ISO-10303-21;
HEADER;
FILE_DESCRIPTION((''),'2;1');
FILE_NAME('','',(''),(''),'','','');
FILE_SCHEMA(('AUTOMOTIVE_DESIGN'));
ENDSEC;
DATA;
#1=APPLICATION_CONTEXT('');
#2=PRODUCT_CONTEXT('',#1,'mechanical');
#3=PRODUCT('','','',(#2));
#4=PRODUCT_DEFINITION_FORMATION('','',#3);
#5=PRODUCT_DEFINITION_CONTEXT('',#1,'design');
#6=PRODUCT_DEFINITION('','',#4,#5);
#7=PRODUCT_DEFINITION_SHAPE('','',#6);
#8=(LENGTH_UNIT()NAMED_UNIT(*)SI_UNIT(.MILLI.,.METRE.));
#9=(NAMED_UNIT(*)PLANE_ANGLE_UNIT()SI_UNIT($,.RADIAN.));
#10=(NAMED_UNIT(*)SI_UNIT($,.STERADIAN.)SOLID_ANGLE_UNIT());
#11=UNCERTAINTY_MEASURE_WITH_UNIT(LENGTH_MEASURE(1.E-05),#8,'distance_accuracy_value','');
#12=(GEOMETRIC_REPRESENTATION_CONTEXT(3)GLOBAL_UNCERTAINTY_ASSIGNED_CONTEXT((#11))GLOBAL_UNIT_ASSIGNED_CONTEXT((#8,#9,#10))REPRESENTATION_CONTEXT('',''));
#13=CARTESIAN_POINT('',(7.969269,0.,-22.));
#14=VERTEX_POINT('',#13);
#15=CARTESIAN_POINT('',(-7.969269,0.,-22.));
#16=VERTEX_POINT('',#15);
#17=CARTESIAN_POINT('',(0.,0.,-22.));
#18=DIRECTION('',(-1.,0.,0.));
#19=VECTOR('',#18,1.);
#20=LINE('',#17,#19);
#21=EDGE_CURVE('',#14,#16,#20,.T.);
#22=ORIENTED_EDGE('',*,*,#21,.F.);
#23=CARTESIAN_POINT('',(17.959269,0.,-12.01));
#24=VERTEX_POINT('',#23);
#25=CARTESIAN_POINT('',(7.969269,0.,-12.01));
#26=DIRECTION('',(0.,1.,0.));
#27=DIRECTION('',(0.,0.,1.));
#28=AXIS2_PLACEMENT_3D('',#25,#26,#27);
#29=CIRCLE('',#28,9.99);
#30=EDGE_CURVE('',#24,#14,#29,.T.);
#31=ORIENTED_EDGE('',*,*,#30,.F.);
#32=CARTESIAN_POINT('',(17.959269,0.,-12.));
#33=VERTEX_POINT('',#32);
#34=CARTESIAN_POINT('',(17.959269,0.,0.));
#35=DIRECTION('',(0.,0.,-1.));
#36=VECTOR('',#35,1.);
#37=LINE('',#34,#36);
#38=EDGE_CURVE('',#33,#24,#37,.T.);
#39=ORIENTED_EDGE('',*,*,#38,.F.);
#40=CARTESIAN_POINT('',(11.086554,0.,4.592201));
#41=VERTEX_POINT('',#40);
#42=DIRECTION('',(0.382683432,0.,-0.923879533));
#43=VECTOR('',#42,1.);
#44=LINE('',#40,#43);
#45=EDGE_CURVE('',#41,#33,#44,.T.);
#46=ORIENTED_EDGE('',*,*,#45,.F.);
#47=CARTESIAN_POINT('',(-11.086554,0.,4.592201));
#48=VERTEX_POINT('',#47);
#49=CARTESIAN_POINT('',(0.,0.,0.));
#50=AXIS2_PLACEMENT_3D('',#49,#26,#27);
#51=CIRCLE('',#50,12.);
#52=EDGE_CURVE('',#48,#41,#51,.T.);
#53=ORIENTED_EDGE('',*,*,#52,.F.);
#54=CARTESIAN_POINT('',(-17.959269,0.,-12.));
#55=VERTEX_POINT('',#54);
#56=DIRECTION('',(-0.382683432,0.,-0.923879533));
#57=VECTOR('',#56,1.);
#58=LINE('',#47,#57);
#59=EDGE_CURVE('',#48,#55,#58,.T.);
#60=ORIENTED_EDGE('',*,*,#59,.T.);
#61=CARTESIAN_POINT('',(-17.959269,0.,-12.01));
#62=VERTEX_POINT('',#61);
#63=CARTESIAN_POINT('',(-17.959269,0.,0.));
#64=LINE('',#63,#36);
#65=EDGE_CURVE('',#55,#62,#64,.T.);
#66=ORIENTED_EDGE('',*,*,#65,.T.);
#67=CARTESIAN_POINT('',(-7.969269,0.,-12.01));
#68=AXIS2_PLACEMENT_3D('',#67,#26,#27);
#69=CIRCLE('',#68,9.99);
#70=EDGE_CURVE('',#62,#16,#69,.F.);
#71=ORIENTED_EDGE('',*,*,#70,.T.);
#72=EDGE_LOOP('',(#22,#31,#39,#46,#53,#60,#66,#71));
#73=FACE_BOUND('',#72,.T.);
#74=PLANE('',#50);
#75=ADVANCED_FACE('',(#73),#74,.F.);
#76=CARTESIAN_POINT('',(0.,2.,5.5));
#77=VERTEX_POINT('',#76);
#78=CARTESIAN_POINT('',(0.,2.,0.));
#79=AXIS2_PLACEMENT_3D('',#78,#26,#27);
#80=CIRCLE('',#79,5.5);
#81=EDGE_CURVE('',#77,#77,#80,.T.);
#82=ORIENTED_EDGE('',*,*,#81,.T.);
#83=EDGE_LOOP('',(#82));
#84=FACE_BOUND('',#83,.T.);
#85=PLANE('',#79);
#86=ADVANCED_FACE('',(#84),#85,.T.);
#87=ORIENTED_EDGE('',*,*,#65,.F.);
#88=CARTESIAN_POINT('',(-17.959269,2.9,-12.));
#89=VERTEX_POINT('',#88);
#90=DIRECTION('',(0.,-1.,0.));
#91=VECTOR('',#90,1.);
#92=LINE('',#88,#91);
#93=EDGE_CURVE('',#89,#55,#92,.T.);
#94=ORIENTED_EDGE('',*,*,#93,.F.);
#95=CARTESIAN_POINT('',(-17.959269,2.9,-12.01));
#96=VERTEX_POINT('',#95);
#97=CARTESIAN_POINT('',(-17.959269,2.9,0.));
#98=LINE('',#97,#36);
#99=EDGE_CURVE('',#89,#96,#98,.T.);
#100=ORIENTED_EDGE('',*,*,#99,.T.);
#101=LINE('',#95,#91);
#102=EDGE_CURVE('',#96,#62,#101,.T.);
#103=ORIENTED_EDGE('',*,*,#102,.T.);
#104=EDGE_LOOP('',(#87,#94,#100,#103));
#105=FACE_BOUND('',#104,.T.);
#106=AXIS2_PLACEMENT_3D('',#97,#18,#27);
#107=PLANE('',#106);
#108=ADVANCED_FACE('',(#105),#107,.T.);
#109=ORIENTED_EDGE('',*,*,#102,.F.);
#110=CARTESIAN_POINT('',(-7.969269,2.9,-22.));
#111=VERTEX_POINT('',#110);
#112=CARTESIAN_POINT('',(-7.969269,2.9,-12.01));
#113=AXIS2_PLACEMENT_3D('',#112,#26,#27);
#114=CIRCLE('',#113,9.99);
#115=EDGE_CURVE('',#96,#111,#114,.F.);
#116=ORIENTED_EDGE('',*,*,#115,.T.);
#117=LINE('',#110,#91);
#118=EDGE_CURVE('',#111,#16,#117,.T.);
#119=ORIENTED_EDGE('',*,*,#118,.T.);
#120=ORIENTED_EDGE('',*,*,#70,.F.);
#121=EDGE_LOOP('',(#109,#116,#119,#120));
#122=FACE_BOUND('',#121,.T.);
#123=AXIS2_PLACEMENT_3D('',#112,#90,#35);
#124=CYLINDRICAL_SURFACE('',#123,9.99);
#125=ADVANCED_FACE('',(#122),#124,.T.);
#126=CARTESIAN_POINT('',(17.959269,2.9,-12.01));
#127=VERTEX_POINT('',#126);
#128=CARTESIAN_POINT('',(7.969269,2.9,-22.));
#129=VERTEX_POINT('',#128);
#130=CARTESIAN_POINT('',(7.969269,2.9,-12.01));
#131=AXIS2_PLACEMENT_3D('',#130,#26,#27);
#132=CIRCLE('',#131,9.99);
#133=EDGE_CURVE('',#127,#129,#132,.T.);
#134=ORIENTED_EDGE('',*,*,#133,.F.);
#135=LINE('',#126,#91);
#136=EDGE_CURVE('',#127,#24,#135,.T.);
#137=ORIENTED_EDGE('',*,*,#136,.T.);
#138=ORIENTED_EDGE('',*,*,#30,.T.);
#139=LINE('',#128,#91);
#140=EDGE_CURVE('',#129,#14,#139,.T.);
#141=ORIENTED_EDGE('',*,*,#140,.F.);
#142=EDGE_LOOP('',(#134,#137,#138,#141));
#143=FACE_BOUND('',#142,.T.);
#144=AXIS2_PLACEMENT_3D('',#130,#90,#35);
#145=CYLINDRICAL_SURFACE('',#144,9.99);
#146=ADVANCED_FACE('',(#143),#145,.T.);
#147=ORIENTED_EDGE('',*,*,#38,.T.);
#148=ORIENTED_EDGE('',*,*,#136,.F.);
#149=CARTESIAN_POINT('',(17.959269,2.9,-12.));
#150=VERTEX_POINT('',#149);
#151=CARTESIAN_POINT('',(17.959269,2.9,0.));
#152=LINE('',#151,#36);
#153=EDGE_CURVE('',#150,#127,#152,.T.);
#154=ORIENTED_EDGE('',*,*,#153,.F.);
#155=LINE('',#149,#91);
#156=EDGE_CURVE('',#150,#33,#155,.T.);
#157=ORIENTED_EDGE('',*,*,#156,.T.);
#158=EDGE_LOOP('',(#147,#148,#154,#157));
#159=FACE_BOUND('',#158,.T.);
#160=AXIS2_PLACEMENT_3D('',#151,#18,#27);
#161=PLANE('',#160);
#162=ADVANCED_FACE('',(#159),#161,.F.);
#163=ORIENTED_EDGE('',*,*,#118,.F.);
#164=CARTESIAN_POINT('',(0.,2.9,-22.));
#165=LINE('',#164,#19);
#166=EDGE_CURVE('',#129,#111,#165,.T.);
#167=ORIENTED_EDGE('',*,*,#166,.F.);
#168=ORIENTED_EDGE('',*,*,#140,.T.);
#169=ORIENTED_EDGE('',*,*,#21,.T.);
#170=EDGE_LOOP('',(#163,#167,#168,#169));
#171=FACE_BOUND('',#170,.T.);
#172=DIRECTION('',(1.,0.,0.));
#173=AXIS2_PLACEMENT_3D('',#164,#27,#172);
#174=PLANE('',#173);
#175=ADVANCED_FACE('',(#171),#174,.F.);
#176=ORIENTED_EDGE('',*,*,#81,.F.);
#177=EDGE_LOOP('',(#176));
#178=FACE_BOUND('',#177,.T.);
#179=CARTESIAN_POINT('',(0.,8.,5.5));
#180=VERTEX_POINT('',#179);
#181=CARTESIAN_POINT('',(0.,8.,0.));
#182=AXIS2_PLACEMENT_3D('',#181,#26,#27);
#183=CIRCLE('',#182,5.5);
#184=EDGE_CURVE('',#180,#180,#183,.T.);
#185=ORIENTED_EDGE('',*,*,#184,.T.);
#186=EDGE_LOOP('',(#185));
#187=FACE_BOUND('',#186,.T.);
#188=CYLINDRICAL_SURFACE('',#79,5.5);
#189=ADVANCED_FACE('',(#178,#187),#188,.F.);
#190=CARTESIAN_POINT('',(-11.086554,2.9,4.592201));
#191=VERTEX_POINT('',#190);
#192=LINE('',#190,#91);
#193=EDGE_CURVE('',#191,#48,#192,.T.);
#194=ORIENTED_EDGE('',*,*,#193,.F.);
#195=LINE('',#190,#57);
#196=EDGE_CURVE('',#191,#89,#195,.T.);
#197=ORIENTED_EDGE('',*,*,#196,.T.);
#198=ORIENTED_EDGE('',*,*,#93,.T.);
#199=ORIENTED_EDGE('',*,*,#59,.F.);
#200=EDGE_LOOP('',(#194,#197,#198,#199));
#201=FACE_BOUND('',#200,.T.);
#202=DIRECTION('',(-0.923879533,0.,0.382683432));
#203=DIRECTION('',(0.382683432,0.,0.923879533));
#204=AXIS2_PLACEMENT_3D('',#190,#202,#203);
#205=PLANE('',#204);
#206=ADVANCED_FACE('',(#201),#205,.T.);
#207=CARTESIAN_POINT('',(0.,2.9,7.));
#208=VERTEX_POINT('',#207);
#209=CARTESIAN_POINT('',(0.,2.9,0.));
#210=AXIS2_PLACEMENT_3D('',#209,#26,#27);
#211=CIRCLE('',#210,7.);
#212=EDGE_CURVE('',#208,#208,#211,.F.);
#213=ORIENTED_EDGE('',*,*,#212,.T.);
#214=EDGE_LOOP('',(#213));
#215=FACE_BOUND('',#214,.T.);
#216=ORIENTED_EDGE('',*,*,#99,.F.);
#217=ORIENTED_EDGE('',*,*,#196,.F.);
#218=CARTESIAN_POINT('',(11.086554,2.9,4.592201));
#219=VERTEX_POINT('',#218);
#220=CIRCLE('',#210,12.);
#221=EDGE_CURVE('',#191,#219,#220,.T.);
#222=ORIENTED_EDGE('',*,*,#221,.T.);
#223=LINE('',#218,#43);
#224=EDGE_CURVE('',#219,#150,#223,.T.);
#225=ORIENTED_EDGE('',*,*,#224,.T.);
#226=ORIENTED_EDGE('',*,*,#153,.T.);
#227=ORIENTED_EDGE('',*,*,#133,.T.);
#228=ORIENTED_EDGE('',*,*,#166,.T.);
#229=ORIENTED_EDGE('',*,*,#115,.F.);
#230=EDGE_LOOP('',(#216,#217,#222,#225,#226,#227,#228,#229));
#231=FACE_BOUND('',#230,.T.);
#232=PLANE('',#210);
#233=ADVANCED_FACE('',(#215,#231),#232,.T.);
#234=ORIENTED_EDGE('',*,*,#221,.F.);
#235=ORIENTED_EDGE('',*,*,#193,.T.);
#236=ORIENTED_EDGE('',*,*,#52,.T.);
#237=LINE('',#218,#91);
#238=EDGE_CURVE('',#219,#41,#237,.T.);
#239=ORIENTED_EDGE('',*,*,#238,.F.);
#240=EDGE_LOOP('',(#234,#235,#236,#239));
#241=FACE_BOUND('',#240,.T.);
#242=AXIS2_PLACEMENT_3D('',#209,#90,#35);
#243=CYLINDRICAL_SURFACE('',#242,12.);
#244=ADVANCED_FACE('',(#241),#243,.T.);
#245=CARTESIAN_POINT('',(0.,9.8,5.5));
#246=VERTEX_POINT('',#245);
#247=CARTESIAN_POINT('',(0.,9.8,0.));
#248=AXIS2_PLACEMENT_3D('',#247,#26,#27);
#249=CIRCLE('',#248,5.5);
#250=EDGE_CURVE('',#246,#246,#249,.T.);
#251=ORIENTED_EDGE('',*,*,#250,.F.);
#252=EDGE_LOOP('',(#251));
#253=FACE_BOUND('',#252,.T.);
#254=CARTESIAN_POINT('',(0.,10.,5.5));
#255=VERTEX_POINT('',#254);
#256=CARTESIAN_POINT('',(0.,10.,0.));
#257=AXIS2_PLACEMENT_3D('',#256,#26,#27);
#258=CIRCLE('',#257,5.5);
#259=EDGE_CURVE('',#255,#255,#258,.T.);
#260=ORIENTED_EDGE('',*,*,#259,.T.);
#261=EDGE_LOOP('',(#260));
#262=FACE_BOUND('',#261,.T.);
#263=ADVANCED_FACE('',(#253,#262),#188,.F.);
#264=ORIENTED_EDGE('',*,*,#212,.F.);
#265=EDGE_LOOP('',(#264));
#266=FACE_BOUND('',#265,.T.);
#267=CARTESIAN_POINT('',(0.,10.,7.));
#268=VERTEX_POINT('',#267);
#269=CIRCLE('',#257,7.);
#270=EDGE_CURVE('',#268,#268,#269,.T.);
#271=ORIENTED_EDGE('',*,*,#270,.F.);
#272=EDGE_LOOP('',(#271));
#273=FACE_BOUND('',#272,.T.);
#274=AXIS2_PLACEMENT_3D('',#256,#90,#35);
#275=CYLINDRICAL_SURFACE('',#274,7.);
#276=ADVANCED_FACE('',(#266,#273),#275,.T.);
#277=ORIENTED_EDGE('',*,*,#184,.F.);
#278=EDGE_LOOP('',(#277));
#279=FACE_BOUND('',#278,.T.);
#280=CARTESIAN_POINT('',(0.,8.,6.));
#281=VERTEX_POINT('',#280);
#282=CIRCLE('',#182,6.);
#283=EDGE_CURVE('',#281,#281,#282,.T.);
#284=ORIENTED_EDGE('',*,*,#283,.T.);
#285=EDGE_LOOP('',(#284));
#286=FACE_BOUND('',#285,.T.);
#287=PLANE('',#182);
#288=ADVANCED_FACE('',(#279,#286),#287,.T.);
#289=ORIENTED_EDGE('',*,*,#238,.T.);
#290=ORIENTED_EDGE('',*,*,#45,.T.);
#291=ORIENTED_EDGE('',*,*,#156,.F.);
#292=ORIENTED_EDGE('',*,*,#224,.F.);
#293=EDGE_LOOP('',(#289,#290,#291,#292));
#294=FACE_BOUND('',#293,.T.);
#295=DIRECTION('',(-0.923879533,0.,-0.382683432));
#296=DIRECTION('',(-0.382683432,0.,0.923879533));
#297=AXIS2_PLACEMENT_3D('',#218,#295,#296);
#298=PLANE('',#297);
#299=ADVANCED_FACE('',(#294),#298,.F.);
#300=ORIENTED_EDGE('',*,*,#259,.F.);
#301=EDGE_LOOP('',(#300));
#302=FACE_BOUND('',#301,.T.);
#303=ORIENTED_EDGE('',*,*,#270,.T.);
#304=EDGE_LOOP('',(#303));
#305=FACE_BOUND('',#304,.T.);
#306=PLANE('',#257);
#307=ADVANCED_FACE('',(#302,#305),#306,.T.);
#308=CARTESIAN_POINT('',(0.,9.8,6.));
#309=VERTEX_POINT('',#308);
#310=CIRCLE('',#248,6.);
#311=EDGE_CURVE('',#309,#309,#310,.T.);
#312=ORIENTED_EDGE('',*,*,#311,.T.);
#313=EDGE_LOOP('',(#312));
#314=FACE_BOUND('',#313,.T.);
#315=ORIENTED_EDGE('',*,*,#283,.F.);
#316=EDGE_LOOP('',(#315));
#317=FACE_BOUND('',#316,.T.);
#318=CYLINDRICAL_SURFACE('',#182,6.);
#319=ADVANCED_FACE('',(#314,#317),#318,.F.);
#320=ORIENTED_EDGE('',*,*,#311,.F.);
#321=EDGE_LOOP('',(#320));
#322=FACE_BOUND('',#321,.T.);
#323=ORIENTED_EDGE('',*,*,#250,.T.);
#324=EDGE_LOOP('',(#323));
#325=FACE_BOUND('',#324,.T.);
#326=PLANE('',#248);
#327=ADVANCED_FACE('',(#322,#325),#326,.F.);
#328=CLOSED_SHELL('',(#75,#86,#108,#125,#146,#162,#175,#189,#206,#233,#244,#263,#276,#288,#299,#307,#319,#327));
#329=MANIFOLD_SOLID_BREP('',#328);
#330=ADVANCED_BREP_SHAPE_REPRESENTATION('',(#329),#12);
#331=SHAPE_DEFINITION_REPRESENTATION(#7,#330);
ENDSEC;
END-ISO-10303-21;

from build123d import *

# Parameters (mm, degrees)
BOSS_EXTRUDE1_DEPTH = 2.9
SKETCH1_3_R         = 7
BOSS_EXTRUDE2_DEPTH = 10
SKETCH7_R           = 5.5
CUT_EXTRUDE10_DEPTH = 8
SKETCH8_R           = 6
SKETCH8_R_2         = 5.5
CUT_EXTRUDE11_DEPTH = 1.8


with BuildPart() as part:
    # Sketch1 → Boss-Extrude1 (new body)
    with BuildSketch(Plane(origin=(0, 0, 0), x_dir=(1, 0, 0), z_dir=(0, 1, 0))):
        with BuildLine():
            Line((-17.959269152, 12), (-11.086554257, -4.59220151))
            ThreePointArc((-11.086554257, -4.59220151), (1.96e-07, -12), (11.086554407, -4.592201147))
            Line((11.086554407, -4.592201147), (17.959269152, 12))
            Line((17.959269152, 12), (17.959269152, 12.01))
            ThreePointArc((17.959269152, 12.01), (15.033265896, 19.073996744), (7.969269152, 22))
            Line((7.969269152, 22), (-7.969269152, 22))
            ThreePointArc((-7.969269152, 22), (-15.033265896, 19.073996744), (-17.959269152, 12.01))
            Line((-17.959269152, 12.01), (-17.959269152, 12))
        make_face()
    extrude(amount=BOSS_EXTRUDE1_DEPTH)

    # Sketch1<3> → Boss-Extrude2 (add)
    with BuildSketch(Plane(origin=(0, 0, 0), x_dir=(1, 0, 0), z_dir=(0, 1, 0))):
        Circle(SKETCH1_3_R)
    extrude(amount=BOSS_EXTRUDE2_DEPTH)

    # Sketch7 → Cut-Extrude10 (cut)
    with BuildSketch(Plane(origin=(0, 10, 0), x_dir=(1, 0, 0), z_dir=(0, 1, 0))):
        Circle(SKETCH7_R)
    extrude(amount=-CUT_EXTRUDE10_DEPTH, mode=Mode.SUBTRACT)

    # Sketch8 → Cut-Extrude11 (cut)
    with BuildSketch(Plane(origin=(0, 9.8, 0), x_dir=(1, 0, 0), z_dir=(0, 1, 0))):
        Circle(SKETCH8_R)
        Circle(SKETCH8_R_2, mode=Mode.SUBTRACT)
    extrude(amount=-CUT_EXTRUDE11_DEPTH, mode=Mode.SUBTRACT)


solid = part.part
